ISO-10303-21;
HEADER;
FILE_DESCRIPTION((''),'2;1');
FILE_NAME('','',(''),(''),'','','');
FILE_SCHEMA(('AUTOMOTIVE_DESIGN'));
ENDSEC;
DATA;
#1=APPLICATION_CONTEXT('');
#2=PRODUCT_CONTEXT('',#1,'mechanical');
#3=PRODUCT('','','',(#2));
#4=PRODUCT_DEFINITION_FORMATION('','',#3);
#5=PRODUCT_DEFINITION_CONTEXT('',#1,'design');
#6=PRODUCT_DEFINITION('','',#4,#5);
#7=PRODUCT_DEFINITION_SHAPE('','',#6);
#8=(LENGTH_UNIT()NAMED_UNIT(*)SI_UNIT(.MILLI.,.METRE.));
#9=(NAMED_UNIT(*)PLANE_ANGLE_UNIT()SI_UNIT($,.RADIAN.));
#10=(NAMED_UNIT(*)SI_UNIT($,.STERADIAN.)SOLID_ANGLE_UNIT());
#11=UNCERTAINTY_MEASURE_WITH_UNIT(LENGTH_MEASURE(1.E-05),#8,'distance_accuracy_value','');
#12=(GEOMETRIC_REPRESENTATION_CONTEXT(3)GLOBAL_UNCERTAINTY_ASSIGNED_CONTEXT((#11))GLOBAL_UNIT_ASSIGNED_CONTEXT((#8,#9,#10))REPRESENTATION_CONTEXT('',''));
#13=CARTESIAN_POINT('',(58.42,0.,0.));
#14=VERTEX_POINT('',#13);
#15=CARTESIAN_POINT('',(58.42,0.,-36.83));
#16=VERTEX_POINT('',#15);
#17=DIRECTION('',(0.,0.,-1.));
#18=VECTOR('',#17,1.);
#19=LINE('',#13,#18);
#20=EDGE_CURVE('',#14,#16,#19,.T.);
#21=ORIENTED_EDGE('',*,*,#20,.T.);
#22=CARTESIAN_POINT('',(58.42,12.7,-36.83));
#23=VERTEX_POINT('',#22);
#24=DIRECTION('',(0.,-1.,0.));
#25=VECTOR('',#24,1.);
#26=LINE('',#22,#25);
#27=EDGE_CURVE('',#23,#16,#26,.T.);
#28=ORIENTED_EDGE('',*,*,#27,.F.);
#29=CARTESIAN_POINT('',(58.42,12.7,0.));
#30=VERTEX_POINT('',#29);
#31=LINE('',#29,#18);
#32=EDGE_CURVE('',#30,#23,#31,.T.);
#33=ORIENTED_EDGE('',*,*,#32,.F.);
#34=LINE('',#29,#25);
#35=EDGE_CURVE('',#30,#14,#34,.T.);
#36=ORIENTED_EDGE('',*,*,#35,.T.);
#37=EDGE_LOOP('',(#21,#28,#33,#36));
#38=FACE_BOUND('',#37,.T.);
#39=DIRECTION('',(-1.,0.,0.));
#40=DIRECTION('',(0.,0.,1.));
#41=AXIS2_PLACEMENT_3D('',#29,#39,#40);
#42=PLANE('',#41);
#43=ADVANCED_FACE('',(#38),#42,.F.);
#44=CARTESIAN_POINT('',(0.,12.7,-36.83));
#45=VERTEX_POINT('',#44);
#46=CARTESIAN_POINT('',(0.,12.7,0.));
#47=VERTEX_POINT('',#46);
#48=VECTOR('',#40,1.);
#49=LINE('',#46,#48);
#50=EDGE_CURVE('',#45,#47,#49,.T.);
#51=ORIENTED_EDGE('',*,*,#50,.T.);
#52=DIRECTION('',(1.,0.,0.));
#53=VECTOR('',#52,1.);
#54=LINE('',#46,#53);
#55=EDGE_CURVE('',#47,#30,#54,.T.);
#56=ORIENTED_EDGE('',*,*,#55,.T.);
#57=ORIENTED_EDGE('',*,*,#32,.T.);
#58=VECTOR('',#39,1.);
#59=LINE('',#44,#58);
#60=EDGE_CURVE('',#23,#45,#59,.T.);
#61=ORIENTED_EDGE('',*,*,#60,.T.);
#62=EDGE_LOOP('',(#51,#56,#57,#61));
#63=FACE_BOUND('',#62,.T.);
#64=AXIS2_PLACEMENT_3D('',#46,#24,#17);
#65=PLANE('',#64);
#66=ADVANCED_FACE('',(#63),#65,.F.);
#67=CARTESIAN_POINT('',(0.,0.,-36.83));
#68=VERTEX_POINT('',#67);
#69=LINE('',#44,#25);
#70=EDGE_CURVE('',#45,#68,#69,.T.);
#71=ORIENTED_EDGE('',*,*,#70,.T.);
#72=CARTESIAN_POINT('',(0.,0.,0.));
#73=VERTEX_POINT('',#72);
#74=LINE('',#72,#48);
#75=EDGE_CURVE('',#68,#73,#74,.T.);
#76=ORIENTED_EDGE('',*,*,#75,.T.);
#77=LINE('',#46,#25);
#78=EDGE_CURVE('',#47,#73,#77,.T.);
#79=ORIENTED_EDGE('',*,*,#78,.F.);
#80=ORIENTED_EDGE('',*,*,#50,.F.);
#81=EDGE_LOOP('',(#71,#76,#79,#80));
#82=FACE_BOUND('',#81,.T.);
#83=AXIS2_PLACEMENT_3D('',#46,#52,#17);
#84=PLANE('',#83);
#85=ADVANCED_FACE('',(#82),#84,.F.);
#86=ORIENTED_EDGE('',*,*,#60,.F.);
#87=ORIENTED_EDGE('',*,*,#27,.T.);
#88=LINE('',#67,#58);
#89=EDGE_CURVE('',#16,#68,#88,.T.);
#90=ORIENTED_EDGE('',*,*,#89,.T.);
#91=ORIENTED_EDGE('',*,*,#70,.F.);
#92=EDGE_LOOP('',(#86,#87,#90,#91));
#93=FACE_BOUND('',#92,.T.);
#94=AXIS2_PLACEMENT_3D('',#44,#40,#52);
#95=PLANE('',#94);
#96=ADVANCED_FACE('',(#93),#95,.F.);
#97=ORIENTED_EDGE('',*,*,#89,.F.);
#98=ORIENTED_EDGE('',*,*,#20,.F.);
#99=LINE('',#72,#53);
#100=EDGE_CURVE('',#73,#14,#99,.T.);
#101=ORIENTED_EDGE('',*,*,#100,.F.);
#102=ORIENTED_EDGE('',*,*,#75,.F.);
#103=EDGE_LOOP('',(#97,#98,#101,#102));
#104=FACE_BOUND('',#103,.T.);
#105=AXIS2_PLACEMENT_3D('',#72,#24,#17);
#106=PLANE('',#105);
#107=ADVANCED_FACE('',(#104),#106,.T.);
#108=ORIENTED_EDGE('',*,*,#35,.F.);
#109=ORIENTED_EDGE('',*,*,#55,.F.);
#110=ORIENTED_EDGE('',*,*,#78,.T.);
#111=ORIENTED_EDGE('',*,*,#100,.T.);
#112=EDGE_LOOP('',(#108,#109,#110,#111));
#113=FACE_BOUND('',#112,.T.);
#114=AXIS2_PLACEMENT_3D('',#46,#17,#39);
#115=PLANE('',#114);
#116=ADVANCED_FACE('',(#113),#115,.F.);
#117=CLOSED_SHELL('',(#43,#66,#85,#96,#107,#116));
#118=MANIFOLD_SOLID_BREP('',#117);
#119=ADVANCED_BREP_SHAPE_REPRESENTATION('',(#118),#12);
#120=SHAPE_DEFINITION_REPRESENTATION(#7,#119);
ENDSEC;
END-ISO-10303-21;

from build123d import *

# Parameters (mm, degrees)
SKETCH1_W           = 58.42
SKETCH1_H           = 36.83
BOSS_EXTRUDE1_DEPTH = 12.7


with BuildPart() as part:
    # Sketch1 → Boss-Extrude1 (new body)
    with BuildSketch(Plane(origin=(0, 0, 0), x_dir=(1, 0, 0), z_dir=(0, 1, 0))):
        with Locations((29.21, 18.415)):
            Rectangle(SKETCH1_W, SKETCH1_H)
    extrude(amount=BOSS_EXTRUDE1_DEPTH)


solid = part.part
